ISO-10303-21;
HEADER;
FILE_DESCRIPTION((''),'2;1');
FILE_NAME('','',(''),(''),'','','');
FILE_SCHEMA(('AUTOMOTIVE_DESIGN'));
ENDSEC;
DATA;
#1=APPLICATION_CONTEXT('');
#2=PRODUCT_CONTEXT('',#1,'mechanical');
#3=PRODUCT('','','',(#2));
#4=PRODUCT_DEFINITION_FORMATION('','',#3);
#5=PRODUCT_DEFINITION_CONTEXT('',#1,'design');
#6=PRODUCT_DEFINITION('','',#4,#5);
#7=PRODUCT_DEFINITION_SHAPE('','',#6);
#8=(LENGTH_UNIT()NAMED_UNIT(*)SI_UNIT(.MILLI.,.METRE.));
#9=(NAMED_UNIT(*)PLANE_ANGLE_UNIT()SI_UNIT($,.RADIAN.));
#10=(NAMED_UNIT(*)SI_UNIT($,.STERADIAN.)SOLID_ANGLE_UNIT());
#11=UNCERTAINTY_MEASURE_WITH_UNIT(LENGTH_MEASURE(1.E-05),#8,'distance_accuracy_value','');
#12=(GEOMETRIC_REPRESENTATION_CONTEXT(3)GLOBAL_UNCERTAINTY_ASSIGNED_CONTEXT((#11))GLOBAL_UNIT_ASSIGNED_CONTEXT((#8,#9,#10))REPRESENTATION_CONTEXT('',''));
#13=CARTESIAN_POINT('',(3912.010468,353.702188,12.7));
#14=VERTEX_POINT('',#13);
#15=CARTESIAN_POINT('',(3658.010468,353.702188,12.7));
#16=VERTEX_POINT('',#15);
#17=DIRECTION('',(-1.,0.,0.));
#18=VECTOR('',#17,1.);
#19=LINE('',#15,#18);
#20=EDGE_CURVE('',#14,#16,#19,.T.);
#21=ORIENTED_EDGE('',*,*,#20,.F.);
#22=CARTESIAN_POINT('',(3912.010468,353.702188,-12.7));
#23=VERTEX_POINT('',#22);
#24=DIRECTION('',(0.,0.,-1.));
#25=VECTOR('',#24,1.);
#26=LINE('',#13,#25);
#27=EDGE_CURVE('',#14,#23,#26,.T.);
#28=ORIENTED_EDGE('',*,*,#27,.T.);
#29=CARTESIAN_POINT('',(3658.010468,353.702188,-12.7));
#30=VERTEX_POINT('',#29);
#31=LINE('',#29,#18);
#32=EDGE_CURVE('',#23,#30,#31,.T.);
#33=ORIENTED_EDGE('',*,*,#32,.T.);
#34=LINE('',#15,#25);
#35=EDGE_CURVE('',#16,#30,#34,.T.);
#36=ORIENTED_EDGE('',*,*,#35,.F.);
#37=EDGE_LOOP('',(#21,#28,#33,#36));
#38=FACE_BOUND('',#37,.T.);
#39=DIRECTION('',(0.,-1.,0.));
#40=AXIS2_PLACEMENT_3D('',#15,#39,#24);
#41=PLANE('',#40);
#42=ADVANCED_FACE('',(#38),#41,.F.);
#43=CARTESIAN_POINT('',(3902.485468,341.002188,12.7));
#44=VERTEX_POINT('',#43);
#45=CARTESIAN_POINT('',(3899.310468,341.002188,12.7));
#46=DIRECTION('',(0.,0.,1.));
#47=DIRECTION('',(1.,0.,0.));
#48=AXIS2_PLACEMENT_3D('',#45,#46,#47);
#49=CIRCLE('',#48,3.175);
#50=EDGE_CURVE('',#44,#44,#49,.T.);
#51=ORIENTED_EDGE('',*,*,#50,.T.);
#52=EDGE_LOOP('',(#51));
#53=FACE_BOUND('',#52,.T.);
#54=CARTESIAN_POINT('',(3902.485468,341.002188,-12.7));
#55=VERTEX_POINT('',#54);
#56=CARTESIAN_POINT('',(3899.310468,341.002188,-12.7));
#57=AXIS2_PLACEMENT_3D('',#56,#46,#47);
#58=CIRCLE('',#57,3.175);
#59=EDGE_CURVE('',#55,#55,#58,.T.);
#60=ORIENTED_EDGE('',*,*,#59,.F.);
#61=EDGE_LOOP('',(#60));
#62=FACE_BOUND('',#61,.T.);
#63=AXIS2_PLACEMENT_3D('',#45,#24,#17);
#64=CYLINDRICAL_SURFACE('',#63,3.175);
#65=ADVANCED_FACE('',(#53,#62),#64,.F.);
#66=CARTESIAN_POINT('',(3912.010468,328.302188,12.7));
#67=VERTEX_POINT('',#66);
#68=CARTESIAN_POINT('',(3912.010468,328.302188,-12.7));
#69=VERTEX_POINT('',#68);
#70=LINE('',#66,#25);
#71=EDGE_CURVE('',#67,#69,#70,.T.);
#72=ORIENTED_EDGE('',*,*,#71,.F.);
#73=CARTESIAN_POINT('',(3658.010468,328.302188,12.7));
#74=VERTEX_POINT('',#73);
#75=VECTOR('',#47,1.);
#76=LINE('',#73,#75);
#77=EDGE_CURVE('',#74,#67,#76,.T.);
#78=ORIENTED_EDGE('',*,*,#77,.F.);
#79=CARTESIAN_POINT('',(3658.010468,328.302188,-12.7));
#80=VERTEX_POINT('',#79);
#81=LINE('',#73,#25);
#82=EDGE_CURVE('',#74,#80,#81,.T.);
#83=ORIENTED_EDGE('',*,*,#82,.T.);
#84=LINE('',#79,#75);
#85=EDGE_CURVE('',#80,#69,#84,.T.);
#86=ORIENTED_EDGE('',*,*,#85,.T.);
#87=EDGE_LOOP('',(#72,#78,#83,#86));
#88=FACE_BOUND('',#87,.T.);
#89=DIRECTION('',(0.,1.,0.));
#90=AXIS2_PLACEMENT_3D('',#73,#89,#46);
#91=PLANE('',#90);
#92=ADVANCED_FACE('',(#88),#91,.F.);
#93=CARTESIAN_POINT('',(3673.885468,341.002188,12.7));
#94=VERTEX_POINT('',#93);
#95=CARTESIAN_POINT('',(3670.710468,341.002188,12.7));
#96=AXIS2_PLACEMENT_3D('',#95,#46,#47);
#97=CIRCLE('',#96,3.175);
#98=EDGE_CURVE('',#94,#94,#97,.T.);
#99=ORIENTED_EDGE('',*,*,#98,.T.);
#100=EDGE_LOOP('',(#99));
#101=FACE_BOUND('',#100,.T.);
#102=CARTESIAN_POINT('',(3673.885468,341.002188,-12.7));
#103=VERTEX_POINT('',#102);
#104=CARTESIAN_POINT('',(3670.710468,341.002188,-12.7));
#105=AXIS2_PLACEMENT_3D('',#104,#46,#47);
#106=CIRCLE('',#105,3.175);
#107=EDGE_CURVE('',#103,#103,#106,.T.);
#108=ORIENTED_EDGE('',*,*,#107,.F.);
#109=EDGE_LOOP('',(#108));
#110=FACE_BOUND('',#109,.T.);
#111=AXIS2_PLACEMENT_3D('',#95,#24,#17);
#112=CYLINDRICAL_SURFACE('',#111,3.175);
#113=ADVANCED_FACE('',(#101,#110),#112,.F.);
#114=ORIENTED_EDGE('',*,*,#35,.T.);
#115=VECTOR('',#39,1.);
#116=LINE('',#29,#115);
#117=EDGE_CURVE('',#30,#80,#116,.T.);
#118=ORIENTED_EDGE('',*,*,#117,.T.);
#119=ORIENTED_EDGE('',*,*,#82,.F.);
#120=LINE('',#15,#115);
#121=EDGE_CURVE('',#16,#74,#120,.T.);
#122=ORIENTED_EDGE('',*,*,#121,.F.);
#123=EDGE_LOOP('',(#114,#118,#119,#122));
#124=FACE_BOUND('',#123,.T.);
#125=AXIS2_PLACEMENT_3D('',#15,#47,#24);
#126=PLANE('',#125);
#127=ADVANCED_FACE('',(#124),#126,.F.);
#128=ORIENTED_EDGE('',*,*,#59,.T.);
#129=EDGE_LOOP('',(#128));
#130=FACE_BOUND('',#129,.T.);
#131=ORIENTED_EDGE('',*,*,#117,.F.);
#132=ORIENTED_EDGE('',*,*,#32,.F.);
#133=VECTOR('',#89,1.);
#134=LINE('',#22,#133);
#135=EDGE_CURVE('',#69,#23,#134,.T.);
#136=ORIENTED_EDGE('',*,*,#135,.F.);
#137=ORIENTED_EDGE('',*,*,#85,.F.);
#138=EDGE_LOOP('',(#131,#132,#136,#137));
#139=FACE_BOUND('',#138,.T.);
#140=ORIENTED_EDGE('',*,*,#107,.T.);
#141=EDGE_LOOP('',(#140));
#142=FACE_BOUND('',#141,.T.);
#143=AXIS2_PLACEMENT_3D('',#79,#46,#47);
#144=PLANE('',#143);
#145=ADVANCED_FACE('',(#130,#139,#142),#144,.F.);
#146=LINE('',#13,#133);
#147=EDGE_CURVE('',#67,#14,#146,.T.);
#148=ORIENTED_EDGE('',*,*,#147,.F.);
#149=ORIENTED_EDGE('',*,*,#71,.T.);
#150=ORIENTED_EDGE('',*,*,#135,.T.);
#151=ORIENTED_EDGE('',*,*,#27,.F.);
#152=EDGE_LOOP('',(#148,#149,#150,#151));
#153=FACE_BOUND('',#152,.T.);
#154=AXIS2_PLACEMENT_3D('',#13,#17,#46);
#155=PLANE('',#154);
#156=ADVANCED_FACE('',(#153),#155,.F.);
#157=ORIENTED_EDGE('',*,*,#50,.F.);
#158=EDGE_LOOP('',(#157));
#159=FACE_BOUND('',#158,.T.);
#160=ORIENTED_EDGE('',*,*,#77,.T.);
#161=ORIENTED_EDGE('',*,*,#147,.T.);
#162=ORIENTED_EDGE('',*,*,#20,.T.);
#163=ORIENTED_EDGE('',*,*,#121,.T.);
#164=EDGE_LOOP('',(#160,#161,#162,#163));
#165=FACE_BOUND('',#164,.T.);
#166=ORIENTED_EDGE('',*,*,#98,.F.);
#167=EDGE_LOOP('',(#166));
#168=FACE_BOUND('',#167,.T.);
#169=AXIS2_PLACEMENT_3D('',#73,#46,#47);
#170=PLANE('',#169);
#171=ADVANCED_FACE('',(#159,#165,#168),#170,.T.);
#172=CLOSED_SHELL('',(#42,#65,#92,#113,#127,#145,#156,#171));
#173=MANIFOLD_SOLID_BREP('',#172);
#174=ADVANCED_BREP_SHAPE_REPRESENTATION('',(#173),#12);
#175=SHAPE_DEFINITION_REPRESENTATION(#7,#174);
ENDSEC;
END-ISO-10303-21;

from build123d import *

# Parameters (mm, degrees)
SKETCH1_W      = 254
SKETCH1_H      = 25.4
SKETCH1_R      = 3.175
EXTRUDE1_DEPTH = 12.7


with BuildPart() as part:
    # Sketch1 → Extrude1 (new, symmetric)
    with BuildSketch(Plane.XY):
        with Locations((3785.010467877, 341.002188153)):
            Rectangle(SKETCH1_W, SKETCH1_H)
        with Locations((3670.710467877, 341.002188153)):
            Circle(SKETCH1_R, mode=Mode.SUBTRACT)
        with Locations((3899.310467877, 341.002188153)):
            Circle(SKETCH1_R, mode=Mode.SUBTRACT)
    extrude(amount=EXTRUDE1_DEPTH, both=True)


solid = part.part
